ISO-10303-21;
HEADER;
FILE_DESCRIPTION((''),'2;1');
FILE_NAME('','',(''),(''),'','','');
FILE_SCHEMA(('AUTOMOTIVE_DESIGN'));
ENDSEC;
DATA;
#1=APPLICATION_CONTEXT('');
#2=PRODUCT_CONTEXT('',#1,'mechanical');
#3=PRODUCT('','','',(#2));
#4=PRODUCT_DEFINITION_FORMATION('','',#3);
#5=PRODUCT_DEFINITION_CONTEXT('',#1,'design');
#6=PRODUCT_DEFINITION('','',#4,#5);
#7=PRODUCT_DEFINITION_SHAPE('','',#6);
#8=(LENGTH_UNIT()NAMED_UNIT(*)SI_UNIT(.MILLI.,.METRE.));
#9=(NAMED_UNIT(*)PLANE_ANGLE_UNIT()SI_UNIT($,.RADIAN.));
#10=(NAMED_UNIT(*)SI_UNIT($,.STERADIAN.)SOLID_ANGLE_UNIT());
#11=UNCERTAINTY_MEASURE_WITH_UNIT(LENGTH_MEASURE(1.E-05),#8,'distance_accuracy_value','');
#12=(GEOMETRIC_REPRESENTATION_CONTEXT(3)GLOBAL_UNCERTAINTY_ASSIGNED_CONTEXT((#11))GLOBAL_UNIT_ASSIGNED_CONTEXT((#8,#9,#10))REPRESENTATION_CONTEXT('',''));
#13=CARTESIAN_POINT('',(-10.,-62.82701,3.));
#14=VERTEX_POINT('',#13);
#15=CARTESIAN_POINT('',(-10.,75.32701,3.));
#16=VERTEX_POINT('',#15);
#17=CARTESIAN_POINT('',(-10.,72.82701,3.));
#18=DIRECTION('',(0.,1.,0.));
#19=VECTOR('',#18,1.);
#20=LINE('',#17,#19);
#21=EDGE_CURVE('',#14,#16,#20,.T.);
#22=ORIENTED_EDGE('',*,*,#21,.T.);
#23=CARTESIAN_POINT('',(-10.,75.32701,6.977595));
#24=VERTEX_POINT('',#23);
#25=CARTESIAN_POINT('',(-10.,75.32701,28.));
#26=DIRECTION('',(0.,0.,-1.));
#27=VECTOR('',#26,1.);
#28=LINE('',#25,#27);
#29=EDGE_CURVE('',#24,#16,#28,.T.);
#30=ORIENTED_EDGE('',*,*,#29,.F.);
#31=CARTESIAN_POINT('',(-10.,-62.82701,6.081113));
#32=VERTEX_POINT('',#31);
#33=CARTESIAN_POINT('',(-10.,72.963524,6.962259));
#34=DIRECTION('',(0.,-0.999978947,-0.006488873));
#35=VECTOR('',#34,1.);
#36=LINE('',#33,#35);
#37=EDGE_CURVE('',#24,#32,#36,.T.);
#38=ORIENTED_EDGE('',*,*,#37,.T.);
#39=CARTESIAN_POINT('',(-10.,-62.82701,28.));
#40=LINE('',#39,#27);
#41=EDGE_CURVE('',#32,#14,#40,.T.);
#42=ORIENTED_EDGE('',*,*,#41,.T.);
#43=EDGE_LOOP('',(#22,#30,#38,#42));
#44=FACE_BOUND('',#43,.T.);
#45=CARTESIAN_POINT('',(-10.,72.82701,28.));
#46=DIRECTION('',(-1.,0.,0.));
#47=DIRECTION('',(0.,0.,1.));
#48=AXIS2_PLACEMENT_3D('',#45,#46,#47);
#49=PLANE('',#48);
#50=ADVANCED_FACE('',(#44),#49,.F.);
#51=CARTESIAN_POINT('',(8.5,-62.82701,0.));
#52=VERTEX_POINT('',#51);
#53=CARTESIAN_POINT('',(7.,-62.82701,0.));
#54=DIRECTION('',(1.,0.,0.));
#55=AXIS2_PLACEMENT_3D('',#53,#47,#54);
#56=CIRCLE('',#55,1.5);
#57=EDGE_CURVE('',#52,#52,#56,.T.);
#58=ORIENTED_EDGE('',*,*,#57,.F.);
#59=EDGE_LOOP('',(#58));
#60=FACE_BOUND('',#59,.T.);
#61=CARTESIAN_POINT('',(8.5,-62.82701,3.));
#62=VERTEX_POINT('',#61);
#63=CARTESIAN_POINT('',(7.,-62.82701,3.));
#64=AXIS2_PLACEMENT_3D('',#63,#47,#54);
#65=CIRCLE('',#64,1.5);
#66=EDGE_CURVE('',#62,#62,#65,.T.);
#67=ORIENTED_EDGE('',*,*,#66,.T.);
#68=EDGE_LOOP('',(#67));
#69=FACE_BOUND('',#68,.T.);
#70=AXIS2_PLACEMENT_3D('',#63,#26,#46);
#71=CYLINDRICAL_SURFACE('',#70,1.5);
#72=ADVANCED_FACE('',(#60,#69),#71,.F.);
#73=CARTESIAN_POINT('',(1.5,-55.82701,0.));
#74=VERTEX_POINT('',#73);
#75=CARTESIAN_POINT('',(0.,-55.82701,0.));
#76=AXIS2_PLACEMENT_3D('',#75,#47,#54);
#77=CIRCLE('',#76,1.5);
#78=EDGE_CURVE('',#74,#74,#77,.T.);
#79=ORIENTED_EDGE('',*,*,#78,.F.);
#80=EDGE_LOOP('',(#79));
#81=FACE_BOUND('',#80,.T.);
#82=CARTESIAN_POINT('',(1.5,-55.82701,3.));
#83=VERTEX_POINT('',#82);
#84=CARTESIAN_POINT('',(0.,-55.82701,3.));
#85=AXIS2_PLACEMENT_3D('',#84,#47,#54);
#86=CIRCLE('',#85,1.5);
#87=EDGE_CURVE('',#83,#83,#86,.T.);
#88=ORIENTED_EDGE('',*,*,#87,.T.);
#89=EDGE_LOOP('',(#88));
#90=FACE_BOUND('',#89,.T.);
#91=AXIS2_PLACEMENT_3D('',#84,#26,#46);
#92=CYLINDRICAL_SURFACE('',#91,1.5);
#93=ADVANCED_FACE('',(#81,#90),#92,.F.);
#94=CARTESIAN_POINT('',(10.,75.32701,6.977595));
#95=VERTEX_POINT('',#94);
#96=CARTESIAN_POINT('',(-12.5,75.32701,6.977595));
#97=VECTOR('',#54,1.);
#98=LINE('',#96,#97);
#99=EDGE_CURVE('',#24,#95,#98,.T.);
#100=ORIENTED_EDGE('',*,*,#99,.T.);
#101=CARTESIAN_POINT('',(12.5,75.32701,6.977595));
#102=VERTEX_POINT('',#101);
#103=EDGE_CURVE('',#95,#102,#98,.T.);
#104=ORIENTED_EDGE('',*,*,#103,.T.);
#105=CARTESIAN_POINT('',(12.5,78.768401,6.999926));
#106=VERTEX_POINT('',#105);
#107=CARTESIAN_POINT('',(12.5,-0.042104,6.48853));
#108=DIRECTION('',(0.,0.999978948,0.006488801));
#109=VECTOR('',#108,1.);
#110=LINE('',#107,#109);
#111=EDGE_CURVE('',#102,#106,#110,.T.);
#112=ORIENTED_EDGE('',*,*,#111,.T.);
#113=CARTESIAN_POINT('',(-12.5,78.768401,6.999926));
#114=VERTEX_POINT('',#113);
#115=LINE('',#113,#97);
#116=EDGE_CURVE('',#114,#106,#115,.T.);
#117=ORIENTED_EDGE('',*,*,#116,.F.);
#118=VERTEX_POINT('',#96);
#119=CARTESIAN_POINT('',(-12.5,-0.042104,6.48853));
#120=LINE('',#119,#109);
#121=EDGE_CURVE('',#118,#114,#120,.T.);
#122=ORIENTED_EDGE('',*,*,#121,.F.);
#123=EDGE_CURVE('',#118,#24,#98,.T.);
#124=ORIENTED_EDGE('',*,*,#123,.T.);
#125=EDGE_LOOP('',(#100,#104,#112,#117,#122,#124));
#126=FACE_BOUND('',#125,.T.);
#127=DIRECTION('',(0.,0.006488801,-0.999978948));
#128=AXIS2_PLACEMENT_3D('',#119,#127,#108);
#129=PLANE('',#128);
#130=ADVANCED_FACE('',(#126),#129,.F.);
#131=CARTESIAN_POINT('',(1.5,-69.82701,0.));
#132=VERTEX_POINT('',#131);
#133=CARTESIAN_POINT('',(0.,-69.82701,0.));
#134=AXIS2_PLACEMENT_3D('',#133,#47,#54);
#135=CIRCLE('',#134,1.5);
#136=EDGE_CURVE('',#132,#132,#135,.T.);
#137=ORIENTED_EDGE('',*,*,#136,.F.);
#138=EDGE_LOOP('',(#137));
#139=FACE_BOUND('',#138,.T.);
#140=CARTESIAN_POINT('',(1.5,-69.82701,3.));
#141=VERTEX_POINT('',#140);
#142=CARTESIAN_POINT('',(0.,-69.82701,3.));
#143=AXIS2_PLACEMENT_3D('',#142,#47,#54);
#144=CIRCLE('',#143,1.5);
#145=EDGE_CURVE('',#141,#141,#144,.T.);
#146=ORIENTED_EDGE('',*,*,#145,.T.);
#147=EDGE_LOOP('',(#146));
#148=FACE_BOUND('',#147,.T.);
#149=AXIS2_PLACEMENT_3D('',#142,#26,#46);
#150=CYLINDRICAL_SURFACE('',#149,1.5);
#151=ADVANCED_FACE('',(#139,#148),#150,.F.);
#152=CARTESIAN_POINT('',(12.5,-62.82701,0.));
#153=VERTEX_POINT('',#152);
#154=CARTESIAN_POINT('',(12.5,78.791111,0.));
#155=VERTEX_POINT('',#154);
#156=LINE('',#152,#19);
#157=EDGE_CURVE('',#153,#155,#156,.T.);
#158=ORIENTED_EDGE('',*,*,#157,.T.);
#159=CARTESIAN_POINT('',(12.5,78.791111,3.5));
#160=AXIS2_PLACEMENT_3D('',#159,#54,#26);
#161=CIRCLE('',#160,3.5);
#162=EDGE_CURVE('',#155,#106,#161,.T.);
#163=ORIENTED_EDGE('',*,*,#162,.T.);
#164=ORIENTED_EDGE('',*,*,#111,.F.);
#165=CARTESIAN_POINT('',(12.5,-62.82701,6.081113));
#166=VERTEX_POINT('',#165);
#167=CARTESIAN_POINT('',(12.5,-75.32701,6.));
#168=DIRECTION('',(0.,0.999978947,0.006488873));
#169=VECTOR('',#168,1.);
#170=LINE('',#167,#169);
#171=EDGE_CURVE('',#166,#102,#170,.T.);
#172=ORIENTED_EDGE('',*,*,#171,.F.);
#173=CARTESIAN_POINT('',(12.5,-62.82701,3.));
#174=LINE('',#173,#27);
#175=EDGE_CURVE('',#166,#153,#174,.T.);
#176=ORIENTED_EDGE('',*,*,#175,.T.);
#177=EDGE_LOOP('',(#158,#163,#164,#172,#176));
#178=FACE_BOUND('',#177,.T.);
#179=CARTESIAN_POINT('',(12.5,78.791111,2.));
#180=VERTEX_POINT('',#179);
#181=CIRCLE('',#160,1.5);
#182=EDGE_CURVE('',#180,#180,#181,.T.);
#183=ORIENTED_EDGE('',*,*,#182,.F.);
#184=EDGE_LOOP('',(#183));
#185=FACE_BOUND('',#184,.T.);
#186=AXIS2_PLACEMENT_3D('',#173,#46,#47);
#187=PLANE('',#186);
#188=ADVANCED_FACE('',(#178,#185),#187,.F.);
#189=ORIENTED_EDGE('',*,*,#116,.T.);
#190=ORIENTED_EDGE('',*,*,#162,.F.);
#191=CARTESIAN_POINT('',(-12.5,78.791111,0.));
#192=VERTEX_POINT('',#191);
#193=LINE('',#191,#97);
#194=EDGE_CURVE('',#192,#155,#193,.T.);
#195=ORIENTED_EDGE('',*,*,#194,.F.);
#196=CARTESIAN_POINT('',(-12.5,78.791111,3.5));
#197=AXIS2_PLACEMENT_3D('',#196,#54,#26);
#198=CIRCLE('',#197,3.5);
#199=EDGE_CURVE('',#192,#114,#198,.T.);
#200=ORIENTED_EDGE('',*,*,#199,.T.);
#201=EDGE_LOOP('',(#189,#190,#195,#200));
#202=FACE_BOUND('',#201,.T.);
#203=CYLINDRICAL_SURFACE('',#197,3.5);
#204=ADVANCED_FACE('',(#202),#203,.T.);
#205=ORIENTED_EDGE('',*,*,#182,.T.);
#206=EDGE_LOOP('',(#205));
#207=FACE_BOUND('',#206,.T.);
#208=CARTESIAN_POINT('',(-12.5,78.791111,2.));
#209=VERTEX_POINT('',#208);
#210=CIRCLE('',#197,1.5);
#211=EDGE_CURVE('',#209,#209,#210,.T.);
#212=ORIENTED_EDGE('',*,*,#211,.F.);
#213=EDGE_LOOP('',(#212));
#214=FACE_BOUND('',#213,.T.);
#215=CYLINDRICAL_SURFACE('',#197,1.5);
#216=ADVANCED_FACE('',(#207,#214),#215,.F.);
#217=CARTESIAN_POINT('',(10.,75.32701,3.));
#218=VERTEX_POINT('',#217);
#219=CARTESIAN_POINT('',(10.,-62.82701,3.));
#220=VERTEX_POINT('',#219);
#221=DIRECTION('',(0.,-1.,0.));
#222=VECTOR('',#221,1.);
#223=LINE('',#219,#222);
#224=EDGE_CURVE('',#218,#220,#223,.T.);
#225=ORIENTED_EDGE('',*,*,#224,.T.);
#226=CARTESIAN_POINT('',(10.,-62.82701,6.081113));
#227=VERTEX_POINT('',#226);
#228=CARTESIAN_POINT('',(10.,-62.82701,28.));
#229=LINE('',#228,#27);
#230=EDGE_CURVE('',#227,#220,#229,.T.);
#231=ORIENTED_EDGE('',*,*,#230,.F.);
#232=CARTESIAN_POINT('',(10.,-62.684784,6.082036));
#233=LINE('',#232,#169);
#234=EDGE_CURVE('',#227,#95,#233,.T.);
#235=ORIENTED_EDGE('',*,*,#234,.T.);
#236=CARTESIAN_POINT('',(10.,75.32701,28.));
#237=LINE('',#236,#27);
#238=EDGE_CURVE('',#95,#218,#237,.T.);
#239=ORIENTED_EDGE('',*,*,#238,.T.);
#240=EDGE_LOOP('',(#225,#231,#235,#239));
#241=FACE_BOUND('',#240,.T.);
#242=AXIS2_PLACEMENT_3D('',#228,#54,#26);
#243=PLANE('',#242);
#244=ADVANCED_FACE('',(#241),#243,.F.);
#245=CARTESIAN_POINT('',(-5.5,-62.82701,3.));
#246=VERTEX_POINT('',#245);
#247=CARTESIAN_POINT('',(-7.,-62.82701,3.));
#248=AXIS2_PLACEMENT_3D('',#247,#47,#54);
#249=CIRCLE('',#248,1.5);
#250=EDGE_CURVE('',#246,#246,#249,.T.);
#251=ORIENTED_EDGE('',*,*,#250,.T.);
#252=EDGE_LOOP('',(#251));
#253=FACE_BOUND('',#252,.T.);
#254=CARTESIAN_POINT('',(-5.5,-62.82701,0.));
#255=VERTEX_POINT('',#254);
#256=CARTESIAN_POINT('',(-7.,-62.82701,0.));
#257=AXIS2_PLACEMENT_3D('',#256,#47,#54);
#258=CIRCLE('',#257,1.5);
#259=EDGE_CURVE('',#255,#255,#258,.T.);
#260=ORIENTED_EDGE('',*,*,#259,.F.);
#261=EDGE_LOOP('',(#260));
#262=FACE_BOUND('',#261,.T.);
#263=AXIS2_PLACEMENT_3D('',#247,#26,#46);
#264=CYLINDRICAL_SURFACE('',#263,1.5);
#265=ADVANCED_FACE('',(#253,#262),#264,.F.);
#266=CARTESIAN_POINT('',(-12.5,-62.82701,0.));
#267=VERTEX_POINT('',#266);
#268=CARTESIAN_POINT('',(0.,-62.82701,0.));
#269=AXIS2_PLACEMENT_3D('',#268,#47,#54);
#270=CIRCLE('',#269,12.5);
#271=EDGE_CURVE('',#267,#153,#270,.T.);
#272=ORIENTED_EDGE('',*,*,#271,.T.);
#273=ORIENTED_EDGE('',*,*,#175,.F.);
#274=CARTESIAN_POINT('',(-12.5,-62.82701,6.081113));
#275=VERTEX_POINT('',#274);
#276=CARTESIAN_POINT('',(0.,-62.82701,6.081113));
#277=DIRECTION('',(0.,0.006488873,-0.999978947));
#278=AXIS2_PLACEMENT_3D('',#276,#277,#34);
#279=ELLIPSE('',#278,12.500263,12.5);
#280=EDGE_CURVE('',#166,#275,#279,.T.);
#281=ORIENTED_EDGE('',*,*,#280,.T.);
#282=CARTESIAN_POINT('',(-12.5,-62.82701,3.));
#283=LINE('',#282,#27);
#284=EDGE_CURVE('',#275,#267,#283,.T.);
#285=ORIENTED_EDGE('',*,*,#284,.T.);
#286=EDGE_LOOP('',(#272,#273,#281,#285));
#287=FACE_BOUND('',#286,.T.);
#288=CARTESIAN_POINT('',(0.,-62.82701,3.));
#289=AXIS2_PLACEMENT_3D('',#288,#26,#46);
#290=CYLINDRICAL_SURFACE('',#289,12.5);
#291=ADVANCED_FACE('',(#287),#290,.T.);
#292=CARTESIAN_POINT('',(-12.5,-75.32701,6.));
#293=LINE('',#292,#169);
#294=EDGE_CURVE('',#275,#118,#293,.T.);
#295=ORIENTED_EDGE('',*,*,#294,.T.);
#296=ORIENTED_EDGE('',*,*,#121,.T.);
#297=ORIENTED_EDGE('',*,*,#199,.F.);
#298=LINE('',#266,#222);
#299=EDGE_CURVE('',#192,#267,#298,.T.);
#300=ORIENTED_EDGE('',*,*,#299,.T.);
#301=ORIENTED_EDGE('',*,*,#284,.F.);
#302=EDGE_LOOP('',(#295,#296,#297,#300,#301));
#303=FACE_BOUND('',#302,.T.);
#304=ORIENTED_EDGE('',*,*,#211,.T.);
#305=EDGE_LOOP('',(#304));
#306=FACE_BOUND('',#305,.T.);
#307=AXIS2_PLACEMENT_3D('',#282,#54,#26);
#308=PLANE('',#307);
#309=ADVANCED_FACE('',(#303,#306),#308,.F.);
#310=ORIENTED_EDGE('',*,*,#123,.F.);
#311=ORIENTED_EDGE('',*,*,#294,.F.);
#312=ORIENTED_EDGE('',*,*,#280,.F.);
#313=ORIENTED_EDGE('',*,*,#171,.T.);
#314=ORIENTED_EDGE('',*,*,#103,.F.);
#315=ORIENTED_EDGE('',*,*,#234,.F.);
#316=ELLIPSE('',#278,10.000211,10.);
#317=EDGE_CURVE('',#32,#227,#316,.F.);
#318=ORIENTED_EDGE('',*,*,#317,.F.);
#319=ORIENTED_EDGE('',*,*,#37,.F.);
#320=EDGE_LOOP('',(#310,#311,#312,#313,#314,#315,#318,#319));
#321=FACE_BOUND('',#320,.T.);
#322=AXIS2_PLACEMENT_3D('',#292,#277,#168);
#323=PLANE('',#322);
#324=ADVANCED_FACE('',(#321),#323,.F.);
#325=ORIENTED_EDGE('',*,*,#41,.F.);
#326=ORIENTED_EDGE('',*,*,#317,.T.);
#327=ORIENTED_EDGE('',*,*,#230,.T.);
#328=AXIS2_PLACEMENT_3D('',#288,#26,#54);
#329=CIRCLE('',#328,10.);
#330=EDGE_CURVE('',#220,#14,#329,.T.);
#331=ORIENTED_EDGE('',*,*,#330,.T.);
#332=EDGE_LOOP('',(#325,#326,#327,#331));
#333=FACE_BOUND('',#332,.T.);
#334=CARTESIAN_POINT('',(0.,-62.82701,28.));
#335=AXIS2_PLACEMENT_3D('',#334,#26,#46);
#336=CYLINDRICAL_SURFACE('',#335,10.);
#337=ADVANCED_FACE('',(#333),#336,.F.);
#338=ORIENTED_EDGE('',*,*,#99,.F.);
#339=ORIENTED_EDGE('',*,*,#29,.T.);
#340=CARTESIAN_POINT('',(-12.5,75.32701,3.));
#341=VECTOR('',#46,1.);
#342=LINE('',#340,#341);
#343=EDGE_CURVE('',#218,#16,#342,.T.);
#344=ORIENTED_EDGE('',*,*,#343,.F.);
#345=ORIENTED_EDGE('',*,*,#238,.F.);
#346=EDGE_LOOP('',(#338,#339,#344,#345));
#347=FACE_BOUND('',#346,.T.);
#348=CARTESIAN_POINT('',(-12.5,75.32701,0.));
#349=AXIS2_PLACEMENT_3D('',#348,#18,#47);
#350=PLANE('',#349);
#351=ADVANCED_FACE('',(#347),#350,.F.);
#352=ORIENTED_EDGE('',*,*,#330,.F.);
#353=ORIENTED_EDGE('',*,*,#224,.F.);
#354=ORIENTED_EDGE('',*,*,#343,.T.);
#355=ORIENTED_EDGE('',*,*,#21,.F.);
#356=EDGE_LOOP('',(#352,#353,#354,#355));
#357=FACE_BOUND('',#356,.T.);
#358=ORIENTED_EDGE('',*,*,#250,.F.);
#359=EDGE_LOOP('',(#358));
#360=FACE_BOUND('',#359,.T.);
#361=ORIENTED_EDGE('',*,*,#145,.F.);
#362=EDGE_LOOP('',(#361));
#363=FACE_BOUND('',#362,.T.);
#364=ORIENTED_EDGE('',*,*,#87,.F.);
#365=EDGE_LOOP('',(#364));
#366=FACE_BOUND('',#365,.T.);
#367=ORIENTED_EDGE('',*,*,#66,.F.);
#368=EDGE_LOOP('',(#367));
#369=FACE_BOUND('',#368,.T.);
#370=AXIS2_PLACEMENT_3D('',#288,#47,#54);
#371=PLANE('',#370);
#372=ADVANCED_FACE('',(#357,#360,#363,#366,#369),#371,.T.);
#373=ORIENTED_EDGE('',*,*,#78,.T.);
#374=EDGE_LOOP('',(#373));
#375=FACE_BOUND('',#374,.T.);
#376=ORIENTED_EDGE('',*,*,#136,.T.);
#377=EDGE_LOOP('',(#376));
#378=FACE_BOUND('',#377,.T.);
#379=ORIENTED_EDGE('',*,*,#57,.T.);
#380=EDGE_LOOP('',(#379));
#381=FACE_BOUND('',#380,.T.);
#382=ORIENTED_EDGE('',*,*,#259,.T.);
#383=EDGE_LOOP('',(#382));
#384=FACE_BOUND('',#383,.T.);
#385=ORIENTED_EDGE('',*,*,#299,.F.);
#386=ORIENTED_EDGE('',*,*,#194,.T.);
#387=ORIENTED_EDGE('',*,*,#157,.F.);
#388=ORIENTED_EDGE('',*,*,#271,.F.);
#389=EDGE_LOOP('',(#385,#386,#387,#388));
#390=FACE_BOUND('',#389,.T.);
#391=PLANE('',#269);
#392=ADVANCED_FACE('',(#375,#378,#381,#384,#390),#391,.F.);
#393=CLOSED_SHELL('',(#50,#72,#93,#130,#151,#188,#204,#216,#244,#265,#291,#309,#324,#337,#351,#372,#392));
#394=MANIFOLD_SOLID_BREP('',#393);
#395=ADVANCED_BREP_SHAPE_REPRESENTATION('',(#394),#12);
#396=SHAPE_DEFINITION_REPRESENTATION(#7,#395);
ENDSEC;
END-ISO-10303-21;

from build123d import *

# Parameters (mm, degrees)
SKETCH_1_R          = 1.5
EXTRUDE_1_DEPTH     = 3
EXTRUDE_3_DEPTH     = 25
SKETCH_4_R          = 1.5
EXTRUDE_5_DEPTH     = 25
CUT_EXTRUDE_1_DEPTH = 25


with BuildPart() as part:
    # 草图1 → 凸台-拉伸1 (new body)
    with BuildSketch(Plane.XY):
        with BuildLine():
            Line((-12.5, -62.82700984), (-12.5, 75.32700984))
            Line((-12.5, 75.32700984), (12.5, 75.32700984))
            Line((12.5, 75.32700984), (12.5, -62.82700984))
            ThreePointArc((12.5, -62.82700984), (0, -75.32700984), (-12.5, -62.82700984))
        make_face()
        with Locations((7, -62.82700984)):
            Circle(SKETCH_1_R, mode=Mode.SUBTRACT)
        with Locations((0, -69.82700984)):
            Circle(SKETCH_1_R, mode=Mode.SUBTRACT)
        with Locations((-7, -62.82700984)):
            Circle(SKETCH_1_R, mode=Mode.SUBTRACT)
        with Locations((0, -55.82700984)):
            Circle(SKETCH_1_R, mode=Mode.SUBTRACT)
    extrude(amount=EXTRUDE_1_DEPTH)

    # 草图3 → 凸台-拉伸3 (add)
    with BuildSketch(Plane.XY.offset(3)):
        with BuildLine():
            Line((10, -62.82700984), (10, 72.82700984))
            Line((10, 72.82700984), (10, 75.32700984))
            Line((10, 75.32700984), (12.5, 75.32700984))
            Line((12.5, 75.32700984), (12.5, -62.82700984))
            ThreePointArc((12.5, -62.82700984), (0, -75.32700984), (-12.5, -62.82700984))
            Line((-12.5, -62.82700984), (-12.5, 75.32700984))
            Line((-12.5, 75.32700984), (-10, 75.32700984))
            Line((-10, 75.32700984), (-10, 72.82700984))
            Line((-10, 72.82700984), (-10, -62.82700984))
            ThreePointArc((-10, -62.82700984), (0, -72.82700984), (10, -62.82700984))
        make_face()
    extrude(amount=EXTRUDE_3_DEPTH)

    # 草图4 → 凸台-拉伸5 (add)
    with BuildSketch(Plane(origin=(12.5, 0, 0), x_dir=(0, 0, -1), z_dir=(1, 0, 0))):
        with BuildLine():
            Line((-3, 75.32700984), (0, 75.32700984))
            Line((0, 75.32700984), (0, 78.791111455))
            ThreePointArc((0, 78.791111455), (-3.511355462, 82.291093034), (-6.999926316, 78.768400651))
            Line((-6.999926316, 78.768400651), (-6.977595346, 75.32700984))
            Line((-6.977595346, 75.32700984), (-3.5, 75.32700984))
            Line((-3.5, 75.32700984), (-3, 75.32700984))
        make_face()
        with Locations((-3.5, 78.791111455)):
            Circle(SKETCH_4_R, mode=Mode.SUBTRACT)
    extrude(amount=-EXTRUDE_5_DEPTH)

    # 草图5 → 切除-拉伸1 (cut)
    with BuildSketch(Plane(origin=(12.5, 0, 0), x_dir=(0, 0, -1), z_dir=(1, 0, 0))):
        Polygon((-6, -75.32700984), (-6.977595346, 75.32700984), (-30.364009186, 75.32700984), (-30.364009186, -75.32700984), align=None)
    extrude(amount=-CUT_EXTRUDE_1_DEPTH, mode=Mode.SUBTRACT)


solid = part.part
